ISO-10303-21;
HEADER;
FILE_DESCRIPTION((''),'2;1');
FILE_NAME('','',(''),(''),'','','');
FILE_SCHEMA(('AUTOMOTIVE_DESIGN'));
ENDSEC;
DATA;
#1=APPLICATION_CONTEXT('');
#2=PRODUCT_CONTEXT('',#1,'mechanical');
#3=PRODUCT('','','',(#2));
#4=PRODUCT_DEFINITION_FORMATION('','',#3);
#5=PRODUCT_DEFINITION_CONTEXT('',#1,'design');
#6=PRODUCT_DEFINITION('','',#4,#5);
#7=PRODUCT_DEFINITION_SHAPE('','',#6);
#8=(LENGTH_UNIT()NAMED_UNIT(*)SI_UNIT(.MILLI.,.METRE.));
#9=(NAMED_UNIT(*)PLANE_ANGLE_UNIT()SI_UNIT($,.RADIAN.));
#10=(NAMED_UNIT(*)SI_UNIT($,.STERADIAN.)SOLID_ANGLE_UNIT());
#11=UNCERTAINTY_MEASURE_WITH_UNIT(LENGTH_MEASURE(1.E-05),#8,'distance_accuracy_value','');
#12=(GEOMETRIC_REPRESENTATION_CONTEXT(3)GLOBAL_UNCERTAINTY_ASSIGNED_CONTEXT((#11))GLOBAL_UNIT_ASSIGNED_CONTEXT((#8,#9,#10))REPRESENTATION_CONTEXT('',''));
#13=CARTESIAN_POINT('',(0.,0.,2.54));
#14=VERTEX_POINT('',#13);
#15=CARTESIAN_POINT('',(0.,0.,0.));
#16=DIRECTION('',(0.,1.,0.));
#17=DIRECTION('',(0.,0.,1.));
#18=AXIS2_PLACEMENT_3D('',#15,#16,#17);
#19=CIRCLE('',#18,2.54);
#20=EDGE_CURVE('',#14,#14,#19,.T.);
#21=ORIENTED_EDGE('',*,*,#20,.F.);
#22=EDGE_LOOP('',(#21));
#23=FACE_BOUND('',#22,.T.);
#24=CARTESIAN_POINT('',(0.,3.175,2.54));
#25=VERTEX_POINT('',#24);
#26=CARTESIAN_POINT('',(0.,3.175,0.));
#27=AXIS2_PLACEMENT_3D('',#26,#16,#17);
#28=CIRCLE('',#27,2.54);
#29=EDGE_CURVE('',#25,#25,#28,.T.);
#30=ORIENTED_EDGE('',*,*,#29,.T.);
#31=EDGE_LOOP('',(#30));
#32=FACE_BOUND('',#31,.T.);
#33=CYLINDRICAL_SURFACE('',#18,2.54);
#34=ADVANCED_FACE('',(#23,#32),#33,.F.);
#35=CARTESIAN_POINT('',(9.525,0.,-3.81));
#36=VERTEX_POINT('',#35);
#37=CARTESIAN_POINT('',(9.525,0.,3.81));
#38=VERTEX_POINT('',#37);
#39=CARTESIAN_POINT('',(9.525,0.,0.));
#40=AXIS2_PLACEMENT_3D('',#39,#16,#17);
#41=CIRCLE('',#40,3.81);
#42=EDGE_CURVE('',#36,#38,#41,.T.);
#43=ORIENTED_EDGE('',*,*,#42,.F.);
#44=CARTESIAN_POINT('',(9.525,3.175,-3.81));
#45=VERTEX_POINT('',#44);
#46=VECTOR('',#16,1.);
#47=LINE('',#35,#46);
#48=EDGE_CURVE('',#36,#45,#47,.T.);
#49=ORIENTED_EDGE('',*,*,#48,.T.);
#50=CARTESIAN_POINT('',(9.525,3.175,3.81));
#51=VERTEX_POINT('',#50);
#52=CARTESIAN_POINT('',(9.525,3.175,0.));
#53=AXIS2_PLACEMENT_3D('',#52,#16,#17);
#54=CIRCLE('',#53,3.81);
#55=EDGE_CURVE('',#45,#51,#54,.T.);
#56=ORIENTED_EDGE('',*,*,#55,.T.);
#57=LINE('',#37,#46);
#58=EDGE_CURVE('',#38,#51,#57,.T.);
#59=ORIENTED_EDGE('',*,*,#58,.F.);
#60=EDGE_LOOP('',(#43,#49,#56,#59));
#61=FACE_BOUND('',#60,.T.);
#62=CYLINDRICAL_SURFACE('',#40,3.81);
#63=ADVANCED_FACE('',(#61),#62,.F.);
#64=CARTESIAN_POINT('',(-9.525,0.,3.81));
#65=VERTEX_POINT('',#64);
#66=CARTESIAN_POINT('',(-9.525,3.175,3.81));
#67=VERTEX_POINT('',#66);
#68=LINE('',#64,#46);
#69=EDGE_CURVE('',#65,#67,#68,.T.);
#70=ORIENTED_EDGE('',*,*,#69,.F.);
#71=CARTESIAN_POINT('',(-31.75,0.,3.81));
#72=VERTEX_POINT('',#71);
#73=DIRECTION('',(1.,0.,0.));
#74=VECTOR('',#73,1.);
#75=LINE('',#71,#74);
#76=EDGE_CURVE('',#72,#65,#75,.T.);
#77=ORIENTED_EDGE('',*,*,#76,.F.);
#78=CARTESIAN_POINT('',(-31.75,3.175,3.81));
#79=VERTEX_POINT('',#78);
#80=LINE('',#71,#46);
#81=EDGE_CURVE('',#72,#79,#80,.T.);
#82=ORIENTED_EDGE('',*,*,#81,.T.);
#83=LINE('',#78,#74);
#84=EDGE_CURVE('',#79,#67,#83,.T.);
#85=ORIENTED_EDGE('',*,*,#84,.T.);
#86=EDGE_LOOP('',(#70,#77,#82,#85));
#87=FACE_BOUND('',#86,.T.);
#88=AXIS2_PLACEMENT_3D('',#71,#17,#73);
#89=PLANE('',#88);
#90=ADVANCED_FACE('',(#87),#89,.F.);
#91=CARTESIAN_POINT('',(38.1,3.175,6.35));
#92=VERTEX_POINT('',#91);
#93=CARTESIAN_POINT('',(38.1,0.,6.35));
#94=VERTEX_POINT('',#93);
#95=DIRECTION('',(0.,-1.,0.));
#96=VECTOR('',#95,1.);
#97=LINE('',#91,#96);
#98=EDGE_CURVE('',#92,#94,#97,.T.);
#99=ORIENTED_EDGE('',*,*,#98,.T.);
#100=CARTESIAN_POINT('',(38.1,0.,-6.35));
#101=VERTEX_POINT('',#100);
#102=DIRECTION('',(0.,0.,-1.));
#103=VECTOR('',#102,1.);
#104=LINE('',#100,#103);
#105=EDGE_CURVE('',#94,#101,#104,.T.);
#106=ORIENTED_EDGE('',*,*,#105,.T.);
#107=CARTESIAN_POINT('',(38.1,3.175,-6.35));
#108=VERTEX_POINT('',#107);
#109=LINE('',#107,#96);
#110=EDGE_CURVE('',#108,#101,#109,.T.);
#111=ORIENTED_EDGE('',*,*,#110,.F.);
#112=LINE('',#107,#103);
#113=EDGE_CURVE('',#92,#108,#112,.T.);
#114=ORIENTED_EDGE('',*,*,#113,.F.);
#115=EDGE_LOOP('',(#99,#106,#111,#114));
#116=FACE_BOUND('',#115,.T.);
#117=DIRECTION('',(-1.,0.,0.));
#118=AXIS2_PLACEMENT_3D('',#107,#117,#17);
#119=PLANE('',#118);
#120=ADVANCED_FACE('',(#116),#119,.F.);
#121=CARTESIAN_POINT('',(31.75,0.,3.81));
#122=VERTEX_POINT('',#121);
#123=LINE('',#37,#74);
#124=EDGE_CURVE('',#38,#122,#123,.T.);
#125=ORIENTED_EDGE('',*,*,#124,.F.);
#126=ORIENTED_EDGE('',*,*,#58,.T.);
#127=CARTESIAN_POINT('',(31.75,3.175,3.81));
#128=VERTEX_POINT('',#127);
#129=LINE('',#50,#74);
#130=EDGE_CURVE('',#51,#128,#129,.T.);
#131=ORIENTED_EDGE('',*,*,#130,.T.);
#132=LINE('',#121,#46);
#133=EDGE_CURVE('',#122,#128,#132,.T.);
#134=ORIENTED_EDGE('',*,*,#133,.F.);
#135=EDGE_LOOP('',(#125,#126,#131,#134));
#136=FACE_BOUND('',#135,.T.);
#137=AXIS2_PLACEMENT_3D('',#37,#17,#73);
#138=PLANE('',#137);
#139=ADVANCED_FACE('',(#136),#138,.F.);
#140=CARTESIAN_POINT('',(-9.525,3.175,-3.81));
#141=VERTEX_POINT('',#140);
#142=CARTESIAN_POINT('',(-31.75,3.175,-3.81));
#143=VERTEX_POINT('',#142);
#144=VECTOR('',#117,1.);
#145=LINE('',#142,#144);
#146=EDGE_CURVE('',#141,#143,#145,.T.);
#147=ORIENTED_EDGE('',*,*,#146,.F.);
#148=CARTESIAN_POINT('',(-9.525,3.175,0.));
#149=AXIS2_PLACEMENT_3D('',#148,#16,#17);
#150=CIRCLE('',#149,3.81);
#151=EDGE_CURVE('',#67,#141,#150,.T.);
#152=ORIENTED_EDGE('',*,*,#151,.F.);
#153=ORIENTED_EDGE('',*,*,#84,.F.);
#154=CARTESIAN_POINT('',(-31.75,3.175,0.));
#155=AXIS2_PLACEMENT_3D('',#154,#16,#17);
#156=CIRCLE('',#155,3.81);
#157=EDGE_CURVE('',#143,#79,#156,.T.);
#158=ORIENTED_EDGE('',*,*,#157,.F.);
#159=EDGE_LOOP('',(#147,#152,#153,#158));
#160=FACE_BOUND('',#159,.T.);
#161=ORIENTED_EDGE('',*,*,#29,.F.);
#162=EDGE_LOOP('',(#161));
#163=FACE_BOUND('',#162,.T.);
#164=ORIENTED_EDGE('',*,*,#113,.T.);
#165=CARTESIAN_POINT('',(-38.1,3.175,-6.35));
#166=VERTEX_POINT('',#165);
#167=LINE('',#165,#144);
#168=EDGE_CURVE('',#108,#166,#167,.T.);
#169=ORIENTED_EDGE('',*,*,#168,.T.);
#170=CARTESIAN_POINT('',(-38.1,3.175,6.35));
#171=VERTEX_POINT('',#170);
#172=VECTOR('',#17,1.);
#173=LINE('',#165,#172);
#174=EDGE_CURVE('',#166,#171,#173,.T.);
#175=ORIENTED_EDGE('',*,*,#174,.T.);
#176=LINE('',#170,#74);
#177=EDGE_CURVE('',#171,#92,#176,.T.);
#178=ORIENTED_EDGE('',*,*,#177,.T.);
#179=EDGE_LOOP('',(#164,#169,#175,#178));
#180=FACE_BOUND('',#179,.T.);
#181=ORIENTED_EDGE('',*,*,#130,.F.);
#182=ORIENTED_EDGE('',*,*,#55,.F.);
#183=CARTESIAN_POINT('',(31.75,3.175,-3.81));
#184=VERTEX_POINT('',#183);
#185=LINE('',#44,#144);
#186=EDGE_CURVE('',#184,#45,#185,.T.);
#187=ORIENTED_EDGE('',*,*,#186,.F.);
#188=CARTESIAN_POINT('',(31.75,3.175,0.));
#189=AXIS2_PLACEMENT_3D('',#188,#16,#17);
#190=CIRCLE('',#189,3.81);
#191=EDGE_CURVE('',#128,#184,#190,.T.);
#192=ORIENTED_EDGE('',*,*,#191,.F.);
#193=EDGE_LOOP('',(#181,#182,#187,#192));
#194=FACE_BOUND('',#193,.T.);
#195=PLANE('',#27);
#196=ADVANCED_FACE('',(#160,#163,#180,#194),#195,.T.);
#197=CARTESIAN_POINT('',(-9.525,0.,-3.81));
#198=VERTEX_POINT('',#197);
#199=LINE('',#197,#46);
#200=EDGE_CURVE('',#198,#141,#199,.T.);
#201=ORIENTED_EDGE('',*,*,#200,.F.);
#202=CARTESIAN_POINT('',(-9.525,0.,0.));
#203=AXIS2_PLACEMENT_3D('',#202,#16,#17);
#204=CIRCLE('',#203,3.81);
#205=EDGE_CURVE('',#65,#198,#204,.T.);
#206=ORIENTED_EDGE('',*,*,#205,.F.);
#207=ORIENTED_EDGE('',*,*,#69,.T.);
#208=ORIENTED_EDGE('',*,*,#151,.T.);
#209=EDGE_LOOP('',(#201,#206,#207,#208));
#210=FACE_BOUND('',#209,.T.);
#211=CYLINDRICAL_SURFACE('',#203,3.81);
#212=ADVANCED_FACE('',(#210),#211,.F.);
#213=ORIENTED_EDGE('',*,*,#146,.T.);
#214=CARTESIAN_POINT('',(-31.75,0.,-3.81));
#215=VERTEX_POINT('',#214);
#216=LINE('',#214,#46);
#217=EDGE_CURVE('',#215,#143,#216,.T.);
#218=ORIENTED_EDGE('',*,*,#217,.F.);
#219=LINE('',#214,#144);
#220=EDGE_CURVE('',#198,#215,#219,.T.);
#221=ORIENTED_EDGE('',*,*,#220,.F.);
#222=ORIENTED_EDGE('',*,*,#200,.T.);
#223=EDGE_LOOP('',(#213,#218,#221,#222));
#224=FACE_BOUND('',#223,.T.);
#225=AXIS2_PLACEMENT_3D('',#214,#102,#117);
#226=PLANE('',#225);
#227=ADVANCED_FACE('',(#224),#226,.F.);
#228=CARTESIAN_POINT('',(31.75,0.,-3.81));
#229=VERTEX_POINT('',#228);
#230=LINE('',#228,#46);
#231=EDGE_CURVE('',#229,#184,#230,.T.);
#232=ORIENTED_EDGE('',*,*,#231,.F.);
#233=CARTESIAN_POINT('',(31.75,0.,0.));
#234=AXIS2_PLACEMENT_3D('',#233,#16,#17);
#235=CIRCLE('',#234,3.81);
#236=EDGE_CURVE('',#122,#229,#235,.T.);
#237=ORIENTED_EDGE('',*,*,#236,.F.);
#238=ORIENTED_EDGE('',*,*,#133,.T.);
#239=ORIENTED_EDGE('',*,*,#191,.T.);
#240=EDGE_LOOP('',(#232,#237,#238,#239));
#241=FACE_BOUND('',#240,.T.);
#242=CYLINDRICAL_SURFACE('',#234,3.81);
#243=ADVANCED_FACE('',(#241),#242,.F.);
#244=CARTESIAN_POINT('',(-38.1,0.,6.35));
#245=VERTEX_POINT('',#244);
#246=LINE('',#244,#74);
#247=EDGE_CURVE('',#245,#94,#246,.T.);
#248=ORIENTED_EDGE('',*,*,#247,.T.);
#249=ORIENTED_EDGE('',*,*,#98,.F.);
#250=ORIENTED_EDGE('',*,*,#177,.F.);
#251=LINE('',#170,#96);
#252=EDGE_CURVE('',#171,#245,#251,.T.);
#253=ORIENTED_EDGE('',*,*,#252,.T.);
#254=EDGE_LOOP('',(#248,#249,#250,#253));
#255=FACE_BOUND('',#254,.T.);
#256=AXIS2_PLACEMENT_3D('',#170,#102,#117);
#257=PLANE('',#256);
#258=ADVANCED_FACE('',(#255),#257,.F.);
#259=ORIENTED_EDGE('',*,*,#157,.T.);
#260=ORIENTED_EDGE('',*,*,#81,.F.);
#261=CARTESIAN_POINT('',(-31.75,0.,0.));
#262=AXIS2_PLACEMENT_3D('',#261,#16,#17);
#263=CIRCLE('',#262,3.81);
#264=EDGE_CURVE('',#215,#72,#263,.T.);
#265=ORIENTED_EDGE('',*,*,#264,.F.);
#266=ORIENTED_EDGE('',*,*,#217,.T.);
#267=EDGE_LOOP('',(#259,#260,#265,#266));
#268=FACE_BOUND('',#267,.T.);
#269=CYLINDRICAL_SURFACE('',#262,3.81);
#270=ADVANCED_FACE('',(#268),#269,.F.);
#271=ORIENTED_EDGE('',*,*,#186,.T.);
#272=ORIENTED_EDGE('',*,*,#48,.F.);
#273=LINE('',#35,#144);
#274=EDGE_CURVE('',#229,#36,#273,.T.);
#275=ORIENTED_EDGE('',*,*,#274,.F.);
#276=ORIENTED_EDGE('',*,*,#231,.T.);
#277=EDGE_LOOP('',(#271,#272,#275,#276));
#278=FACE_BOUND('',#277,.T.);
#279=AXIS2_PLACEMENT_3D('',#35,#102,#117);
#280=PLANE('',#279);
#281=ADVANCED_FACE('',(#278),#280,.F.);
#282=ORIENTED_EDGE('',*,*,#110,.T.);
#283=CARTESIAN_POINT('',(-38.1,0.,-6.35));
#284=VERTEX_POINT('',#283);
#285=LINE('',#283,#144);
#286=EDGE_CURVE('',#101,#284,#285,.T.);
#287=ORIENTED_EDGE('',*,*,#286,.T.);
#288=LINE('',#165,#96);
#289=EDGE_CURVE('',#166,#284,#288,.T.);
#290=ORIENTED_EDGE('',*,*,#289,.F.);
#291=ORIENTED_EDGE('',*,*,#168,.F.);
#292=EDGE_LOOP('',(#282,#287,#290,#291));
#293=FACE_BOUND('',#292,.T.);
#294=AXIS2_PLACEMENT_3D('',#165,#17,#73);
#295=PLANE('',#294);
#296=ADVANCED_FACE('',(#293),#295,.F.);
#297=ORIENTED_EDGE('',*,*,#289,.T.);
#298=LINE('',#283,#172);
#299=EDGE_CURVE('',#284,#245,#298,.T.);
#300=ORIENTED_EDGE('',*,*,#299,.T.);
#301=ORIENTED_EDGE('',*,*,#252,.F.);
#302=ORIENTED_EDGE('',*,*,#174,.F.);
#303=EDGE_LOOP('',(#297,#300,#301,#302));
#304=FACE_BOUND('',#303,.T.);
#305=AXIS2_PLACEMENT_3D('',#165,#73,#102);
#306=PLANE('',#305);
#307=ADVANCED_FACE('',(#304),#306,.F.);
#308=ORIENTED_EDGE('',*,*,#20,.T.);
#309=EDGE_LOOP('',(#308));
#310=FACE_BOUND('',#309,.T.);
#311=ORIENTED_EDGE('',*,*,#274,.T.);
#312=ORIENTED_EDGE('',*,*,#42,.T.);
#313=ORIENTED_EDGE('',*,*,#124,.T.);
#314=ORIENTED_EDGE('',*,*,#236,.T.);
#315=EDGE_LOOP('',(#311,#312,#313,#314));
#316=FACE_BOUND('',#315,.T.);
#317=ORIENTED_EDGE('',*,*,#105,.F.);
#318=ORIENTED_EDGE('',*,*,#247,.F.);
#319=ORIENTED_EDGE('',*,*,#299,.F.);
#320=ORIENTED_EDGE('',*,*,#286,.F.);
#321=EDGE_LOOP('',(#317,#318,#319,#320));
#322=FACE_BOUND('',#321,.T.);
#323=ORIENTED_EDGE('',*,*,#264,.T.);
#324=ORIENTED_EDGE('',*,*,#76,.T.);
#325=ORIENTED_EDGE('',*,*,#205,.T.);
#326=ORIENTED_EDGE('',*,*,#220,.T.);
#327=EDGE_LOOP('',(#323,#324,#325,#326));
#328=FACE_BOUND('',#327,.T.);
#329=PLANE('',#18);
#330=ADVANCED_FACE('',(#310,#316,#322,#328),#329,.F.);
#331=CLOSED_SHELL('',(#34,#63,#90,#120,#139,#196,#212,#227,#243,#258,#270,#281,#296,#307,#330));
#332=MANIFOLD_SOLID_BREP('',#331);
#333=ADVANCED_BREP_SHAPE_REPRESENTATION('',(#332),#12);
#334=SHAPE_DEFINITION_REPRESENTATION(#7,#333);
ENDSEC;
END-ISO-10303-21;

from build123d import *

# Parameters (mm, degrees)
SKETCH1_W           = 76.2
SKETCH1_H           = 12.7
BOSS_EXTRUDE1_DEPTH = 3.175
SKETCH2_R           = 2.54
CUT_EXTRUDE1_DEPTH  = 39.75581408
CUT_EXTRUDE2_DEPTH  = 39.75581408


with BuildPart() as part:
    # Sketch1 → Boss-Extrude1 (new body)
    with BuildSketch(Plane(origin=(0, 0, 0), x_dir=(1, 0, 0), z_dir=(0, 1, 0))):
        Rectangle(SKETCH1_W, SKETCH1_H)
    extrude(amount=BOSS_EXTRUDE1_DEPTH)

    # Sketch2 → Cut-Extrude1 (cut, through all)
    with BuildSketch(Plane(origin=(0, 3.175, 0), x_dir=(1, 0, 0), z_dir=(0, 1, 0))):
        with Locations(Location((0, 0, 0), (0, 0, 270))):
            Circle(SKETCH2_R)
    extrude(amount=-CUT_EXTRUDE1_DEPTH, mode=Mode.SUBTRACT)

    # Sketch4 → Cut-Extrude2 (cut, through all)
    with BuildSketch(Plane(origin=(0, 3.175, 0), x_dir=(1, 0, 0), z_dir=(0, 1, 0))):
        with BuildLine():
            Line((-31.75, 3.81), (-9.525, 3.81))
            ThreePointArc((-9.525, 3.81), (-5.715, 0), (-9.525, -3.81))
            Line((-9.525, -3.81), (-31.75, -3.81))
            ThreePointArc((-31.75, -3.81), (-35.56, 0), (-31.75, 3.81))
        make_face()
        with BuildLine():
            Line((9.525, 3.81), (31.75, 3.81))
            ThreePointArc((31.75, 3.81), (35.56, 0), (31.75, -3.81))
            Line((31.75, -3.81), (9.525, -3.81))
            ThreePointArc((9.525, -3.81), (5.715, 0), (9.525, 3.81))
        make_face()
    extrude(amount=-CUT_EXTRUDE2_DEPTH, mode=Mode.SUBTRACT)


solid = part.part
